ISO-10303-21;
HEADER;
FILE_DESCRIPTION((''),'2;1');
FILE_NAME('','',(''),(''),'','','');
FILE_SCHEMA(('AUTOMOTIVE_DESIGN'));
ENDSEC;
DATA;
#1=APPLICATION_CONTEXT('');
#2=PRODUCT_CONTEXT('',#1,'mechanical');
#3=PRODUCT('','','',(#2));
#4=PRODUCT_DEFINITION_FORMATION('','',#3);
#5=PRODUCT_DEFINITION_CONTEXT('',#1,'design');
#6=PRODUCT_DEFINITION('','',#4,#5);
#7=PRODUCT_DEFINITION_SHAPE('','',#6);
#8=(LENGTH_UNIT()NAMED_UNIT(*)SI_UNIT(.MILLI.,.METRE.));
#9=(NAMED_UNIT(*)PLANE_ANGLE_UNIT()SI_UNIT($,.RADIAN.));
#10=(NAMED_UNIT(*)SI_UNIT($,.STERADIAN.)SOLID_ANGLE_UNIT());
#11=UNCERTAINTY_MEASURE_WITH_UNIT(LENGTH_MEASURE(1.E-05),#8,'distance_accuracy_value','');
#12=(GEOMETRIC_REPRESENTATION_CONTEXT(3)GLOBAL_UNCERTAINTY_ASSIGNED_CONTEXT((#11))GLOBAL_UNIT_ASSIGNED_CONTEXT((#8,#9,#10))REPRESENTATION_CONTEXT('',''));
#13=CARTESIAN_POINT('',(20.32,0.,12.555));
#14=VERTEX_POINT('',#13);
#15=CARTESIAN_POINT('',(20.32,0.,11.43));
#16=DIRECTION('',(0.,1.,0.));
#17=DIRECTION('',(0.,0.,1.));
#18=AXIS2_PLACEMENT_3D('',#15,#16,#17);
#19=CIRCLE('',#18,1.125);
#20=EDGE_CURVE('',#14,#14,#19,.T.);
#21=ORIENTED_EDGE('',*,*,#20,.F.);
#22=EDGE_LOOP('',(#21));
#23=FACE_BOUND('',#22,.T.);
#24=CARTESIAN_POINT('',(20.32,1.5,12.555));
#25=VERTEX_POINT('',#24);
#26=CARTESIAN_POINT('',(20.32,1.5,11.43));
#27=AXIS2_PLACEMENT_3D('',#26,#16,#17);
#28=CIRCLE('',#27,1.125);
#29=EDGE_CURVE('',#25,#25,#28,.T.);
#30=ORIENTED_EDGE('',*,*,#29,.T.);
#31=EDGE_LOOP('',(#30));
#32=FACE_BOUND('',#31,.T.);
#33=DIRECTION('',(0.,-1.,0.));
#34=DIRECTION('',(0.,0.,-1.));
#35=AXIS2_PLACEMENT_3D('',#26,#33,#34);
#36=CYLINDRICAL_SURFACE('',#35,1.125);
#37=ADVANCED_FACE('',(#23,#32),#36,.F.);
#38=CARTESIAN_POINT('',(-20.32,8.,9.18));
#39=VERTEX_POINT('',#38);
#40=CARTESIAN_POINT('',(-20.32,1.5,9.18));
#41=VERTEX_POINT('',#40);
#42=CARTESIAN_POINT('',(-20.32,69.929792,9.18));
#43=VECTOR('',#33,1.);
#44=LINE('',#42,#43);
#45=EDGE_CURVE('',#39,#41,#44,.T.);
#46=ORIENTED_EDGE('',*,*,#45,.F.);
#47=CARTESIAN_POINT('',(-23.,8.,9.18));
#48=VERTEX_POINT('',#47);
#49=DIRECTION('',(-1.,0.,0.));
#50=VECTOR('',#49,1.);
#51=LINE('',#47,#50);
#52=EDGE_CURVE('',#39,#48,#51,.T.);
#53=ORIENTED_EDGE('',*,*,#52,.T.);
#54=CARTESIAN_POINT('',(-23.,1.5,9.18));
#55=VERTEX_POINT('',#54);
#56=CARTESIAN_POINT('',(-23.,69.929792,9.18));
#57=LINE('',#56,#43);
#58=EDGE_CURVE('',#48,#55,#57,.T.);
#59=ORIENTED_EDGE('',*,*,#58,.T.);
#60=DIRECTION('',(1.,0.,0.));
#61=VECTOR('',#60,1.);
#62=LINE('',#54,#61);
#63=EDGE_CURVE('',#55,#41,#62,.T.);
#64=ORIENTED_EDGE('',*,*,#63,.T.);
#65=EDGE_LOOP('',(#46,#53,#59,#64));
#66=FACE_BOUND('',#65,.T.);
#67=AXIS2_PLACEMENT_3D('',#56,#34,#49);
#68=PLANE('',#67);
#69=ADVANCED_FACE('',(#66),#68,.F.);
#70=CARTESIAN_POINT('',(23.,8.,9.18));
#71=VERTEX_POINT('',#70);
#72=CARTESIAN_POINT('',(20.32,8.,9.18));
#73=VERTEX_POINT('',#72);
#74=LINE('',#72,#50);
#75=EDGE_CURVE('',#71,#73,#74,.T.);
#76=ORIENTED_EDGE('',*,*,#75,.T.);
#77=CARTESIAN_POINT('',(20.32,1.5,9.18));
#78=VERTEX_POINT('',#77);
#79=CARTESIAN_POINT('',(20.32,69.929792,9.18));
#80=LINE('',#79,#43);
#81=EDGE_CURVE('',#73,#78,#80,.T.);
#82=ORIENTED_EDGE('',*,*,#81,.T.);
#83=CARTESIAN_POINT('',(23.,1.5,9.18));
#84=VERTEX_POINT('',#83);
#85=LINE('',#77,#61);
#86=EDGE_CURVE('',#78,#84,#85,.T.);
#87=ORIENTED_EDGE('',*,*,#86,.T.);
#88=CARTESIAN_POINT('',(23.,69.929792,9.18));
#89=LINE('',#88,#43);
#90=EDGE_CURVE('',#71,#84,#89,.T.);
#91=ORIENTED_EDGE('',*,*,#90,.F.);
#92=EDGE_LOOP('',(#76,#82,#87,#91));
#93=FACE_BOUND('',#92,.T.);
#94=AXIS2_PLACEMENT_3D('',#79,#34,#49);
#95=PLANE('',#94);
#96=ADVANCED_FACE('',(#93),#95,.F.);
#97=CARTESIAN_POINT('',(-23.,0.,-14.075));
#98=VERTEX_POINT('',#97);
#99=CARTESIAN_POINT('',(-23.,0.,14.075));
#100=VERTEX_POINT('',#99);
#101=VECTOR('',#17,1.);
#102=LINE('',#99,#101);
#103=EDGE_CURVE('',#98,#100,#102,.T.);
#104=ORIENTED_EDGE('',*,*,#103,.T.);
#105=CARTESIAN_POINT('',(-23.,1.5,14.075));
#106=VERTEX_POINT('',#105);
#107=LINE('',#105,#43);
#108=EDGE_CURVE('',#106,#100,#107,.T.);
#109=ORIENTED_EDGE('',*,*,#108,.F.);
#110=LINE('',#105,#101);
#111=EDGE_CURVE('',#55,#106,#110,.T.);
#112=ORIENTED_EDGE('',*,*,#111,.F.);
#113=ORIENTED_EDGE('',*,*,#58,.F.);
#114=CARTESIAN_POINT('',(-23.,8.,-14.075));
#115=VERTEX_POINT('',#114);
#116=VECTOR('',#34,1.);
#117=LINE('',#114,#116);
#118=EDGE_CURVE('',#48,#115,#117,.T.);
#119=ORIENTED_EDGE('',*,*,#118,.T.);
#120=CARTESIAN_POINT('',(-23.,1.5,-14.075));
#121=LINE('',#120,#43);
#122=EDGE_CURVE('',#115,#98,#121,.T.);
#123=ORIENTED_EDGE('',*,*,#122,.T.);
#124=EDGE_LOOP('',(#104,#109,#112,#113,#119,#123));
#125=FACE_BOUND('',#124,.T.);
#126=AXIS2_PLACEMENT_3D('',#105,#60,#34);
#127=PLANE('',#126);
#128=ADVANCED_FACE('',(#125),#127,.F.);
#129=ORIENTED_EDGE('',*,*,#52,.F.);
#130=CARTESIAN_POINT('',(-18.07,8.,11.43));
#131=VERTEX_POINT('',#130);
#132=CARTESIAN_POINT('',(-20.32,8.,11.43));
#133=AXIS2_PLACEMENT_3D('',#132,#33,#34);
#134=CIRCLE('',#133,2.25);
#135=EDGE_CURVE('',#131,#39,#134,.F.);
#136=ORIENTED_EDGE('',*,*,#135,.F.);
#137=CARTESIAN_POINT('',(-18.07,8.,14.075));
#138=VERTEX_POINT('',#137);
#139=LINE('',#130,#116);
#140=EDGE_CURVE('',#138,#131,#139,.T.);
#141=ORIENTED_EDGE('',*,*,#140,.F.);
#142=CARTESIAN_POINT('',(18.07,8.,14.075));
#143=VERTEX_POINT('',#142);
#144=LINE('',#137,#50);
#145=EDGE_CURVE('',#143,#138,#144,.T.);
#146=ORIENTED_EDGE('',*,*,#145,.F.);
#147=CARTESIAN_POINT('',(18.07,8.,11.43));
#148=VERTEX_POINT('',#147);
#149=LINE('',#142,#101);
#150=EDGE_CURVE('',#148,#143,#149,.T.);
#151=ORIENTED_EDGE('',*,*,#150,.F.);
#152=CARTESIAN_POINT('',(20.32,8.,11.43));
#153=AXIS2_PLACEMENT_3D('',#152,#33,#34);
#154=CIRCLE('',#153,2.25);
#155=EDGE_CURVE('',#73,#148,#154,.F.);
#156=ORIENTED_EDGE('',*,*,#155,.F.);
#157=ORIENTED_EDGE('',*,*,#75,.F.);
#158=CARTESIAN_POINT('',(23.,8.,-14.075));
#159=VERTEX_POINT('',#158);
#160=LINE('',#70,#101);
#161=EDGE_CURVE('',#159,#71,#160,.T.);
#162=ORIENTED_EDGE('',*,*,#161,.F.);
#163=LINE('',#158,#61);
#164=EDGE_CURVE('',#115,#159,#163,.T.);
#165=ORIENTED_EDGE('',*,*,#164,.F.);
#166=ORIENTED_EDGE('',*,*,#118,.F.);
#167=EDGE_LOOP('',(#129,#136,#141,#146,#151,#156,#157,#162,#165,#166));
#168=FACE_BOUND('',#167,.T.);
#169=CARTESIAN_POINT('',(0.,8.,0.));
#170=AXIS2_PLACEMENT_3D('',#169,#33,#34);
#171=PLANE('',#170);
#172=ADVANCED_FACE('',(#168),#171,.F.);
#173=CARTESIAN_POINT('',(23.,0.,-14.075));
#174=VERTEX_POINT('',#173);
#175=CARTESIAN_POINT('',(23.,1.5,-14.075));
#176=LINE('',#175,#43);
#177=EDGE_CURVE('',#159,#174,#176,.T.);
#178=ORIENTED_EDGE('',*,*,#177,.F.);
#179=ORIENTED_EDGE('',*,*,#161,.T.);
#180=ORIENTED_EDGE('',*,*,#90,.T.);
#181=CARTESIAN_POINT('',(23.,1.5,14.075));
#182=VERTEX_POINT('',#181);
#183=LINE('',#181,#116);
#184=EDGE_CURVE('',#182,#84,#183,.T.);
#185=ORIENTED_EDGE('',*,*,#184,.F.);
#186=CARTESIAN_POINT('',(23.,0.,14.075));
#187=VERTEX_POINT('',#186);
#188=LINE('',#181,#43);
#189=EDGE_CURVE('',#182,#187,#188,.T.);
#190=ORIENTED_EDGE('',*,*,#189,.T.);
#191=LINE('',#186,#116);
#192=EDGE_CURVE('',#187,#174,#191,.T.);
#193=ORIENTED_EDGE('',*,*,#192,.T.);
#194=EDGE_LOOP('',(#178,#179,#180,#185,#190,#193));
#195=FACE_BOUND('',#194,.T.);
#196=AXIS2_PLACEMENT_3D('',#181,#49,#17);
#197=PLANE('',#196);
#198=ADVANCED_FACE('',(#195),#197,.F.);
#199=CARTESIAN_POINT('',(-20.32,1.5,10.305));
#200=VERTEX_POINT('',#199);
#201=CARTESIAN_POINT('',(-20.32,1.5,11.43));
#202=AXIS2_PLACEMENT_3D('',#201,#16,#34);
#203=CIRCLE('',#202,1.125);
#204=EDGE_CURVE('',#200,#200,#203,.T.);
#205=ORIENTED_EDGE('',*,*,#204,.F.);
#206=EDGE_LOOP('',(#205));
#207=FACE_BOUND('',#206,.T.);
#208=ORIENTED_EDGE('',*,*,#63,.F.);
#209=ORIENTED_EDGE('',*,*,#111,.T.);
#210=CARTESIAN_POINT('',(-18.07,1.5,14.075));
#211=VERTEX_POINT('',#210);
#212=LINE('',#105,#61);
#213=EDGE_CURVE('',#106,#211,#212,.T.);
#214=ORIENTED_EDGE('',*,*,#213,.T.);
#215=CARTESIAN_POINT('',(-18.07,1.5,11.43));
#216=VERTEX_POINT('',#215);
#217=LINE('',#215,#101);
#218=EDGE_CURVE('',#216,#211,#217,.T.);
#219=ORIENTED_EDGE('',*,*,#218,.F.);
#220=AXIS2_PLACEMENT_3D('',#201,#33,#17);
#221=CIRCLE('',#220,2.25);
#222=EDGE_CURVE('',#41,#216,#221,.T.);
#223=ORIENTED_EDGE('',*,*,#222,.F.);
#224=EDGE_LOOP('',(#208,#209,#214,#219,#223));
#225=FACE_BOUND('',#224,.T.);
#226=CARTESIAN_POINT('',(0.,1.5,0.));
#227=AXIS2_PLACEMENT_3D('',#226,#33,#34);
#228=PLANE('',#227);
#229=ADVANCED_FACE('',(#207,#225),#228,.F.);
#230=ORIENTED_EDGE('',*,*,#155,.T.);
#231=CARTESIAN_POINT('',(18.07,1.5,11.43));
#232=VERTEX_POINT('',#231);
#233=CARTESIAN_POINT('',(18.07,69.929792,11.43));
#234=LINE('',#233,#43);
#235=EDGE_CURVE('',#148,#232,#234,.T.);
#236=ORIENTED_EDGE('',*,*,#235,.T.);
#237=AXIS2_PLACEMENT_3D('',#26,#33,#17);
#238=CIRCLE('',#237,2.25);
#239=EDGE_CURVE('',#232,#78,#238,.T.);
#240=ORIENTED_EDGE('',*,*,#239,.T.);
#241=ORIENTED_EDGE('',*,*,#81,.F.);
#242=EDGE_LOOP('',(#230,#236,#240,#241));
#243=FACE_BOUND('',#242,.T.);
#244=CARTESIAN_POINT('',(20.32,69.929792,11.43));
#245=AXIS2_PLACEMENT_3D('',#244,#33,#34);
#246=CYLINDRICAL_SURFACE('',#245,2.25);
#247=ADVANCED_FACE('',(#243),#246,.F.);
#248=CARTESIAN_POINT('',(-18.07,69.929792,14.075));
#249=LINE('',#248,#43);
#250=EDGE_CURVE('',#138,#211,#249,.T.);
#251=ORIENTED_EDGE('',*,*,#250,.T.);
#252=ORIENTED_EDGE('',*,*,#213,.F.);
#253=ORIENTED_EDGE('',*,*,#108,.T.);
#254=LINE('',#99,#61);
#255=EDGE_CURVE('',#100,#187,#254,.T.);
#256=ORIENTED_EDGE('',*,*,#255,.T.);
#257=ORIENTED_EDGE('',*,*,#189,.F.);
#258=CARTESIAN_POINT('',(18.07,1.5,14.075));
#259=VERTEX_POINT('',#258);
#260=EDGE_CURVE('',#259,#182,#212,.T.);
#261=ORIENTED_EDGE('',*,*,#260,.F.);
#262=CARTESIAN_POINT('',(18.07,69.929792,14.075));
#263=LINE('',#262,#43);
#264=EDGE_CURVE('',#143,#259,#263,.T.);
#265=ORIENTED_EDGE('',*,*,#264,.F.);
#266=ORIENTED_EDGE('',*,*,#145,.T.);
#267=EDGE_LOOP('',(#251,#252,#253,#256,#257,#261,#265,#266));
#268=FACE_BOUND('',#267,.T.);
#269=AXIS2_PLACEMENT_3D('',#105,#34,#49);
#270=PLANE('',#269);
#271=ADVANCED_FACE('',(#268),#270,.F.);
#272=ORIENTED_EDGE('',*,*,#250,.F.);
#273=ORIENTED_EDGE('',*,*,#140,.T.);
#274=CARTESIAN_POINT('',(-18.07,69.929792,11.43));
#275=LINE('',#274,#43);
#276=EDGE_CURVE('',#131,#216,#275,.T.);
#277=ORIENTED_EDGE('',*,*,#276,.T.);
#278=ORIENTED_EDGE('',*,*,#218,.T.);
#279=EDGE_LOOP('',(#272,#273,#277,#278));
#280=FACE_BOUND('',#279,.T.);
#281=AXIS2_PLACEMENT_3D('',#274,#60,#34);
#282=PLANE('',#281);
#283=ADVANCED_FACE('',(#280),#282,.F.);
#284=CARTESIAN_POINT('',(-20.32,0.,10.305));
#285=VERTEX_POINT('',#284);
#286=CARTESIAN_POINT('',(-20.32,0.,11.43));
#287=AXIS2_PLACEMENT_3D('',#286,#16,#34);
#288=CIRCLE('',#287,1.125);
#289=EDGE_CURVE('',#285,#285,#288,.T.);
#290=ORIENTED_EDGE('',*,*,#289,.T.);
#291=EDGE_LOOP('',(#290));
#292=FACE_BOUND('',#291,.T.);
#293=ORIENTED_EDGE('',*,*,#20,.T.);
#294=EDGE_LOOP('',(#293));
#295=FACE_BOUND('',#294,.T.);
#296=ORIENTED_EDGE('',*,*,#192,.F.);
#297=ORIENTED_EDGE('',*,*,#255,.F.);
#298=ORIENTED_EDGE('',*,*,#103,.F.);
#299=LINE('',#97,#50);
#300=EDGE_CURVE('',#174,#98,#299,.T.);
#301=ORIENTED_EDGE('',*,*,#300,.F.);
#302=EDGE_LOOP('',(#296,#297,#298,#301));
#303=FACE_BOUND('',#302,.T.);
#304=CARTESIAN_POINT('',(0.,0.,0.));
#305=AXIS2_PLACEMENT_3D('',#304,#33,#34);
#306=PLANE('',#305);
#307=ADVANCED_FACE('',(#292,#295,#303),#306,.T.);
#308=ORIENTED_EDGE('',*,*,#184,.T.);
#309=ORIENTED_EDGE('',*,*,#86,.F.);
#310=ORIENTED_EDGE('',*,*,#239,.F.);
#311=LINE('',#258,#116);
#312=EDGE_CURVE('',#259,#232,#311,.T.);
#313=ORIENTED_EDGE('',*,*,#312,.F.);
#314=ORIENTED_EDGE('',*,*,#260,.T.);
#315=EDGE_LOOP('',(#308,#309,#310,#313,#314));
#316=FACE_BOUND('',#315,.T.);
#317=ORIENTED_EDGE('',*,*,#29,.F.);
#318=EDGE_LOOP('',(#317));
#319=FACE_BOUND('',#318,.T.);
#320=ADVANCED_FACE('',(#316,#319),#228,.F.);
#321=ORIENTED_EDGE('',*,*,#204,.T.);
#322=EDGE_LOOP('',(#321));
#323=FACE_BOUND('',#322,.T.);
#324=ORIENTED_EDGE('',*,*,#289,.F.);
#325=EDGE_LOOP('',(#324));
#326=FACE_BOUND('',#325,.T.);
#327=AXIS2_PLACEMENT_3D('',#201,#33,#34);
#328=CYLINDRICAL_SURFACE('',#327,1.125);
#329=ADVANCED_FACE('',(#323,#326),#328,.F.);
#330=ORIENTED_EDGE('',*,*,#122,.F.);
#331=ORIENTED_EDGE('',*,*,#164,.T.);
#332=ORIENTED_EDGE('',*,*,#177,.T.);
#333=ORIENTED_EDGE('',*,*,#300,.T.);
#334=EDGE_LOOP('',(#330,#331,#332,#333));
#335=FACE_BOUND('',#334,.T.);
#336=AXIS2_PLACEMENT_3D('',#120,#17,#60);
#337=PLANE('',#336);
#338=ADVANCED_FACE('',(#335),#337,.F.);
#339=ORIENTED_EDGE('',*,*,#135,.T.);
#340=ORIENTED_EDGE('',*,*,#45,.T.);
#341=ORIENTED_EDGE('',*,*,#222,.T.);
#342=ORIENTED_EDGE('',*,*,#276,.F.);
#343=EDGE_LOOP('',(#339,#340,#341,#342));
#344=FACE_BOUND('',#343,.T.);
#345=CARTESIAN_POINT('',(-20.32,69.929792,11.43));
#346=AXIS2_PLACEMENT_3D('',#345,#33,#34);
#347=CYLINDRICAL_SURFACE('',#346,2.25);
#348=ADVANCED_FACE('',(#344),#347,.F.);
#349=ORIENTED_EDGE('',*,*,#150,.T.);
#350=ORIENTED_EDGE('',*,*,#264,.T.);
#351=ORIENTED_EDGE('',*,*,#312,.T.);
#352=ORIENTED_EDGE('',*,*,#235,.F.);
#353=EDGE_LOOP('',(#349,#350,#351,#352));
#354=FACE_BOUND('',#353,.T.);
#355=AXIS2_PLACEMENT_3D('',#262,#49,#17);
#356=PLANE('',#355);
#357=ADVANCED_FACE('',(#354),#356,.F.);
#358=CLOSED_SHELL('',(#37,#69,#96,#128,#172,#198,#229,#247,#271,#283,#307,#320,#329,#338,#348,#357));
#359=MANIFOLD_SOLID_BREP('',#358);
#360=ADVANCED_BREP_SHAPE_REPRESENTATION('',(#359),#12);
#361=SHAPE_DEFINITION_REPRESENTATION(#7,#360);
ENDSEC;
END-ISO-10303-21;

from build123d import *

# Parameters (mm, degrees)
SKETCH1_W           = 46
SKETCH1_H           = 28.15
SKETCH1_R           = 1.125
BOSS_EXTRUDE1_DEPTH = 1.5
BOSS_EXTRUDE2_DEPTH = 6.5


with BuildPart() as part:
    # Sketch1 → Boss-Extrude1 (new body)
    with BuildSketch(Plane(origin=(0, 0, 0), x_dir=(1, 0, 0), z_dir=(0, 1, 0))):
        Rectangle(SKETCH1_W, SKETCH1_H)
        with Locations(Location((20.32, -11.43, 0), (0, 0, 270))):
            Circle(SKETCH1_R, mode=Mode.SUBTRACT)
        with Locations(Location((-20.32, -11.43, 0), (0, 0, 90))):
            Circle(SKETCH1_R, mode=Mode.SUBTRACT)
    extrude(amount=BOSS_EXTRUDE1_DEPTH)

    # Sketch2 → Boss-Extrude2 (add)
    with BuildSketch(Plane(origin=(0, 1.5, 0), x_dir=(1, 0, 0), z_dir=(0, 1, 0))):
        with BuildLine():
            Line((-18.07, -11.43), (-18.07, -14.075))
            Line((-18.07, -14.075), (18.07, -14.075))
            Line((18.07, -14.075), (18.07, -11.43))
            ThreePointArc((18.07, -11.43), (18.729009742, -9.839009742), (20.32, -9.18))
            Line((20.32, -9.18), (23, -9.18))
            Line((23, -9.18), (23, 14.075))
            Line((23, 14.075), (-23, 14.075))
            Line((-23, 14.075), (-23, -9.18))
            Line((-23, -9.18), (-20.32, -9.18))
            ThreePointArc((-20.32, -9.18), (-18.729009742, -9.839009742), (-18.07, -11.43))
        make_face()
    extrude(amount=BOSS_EXTRUDE2_DEPTH)


solid = part.part
